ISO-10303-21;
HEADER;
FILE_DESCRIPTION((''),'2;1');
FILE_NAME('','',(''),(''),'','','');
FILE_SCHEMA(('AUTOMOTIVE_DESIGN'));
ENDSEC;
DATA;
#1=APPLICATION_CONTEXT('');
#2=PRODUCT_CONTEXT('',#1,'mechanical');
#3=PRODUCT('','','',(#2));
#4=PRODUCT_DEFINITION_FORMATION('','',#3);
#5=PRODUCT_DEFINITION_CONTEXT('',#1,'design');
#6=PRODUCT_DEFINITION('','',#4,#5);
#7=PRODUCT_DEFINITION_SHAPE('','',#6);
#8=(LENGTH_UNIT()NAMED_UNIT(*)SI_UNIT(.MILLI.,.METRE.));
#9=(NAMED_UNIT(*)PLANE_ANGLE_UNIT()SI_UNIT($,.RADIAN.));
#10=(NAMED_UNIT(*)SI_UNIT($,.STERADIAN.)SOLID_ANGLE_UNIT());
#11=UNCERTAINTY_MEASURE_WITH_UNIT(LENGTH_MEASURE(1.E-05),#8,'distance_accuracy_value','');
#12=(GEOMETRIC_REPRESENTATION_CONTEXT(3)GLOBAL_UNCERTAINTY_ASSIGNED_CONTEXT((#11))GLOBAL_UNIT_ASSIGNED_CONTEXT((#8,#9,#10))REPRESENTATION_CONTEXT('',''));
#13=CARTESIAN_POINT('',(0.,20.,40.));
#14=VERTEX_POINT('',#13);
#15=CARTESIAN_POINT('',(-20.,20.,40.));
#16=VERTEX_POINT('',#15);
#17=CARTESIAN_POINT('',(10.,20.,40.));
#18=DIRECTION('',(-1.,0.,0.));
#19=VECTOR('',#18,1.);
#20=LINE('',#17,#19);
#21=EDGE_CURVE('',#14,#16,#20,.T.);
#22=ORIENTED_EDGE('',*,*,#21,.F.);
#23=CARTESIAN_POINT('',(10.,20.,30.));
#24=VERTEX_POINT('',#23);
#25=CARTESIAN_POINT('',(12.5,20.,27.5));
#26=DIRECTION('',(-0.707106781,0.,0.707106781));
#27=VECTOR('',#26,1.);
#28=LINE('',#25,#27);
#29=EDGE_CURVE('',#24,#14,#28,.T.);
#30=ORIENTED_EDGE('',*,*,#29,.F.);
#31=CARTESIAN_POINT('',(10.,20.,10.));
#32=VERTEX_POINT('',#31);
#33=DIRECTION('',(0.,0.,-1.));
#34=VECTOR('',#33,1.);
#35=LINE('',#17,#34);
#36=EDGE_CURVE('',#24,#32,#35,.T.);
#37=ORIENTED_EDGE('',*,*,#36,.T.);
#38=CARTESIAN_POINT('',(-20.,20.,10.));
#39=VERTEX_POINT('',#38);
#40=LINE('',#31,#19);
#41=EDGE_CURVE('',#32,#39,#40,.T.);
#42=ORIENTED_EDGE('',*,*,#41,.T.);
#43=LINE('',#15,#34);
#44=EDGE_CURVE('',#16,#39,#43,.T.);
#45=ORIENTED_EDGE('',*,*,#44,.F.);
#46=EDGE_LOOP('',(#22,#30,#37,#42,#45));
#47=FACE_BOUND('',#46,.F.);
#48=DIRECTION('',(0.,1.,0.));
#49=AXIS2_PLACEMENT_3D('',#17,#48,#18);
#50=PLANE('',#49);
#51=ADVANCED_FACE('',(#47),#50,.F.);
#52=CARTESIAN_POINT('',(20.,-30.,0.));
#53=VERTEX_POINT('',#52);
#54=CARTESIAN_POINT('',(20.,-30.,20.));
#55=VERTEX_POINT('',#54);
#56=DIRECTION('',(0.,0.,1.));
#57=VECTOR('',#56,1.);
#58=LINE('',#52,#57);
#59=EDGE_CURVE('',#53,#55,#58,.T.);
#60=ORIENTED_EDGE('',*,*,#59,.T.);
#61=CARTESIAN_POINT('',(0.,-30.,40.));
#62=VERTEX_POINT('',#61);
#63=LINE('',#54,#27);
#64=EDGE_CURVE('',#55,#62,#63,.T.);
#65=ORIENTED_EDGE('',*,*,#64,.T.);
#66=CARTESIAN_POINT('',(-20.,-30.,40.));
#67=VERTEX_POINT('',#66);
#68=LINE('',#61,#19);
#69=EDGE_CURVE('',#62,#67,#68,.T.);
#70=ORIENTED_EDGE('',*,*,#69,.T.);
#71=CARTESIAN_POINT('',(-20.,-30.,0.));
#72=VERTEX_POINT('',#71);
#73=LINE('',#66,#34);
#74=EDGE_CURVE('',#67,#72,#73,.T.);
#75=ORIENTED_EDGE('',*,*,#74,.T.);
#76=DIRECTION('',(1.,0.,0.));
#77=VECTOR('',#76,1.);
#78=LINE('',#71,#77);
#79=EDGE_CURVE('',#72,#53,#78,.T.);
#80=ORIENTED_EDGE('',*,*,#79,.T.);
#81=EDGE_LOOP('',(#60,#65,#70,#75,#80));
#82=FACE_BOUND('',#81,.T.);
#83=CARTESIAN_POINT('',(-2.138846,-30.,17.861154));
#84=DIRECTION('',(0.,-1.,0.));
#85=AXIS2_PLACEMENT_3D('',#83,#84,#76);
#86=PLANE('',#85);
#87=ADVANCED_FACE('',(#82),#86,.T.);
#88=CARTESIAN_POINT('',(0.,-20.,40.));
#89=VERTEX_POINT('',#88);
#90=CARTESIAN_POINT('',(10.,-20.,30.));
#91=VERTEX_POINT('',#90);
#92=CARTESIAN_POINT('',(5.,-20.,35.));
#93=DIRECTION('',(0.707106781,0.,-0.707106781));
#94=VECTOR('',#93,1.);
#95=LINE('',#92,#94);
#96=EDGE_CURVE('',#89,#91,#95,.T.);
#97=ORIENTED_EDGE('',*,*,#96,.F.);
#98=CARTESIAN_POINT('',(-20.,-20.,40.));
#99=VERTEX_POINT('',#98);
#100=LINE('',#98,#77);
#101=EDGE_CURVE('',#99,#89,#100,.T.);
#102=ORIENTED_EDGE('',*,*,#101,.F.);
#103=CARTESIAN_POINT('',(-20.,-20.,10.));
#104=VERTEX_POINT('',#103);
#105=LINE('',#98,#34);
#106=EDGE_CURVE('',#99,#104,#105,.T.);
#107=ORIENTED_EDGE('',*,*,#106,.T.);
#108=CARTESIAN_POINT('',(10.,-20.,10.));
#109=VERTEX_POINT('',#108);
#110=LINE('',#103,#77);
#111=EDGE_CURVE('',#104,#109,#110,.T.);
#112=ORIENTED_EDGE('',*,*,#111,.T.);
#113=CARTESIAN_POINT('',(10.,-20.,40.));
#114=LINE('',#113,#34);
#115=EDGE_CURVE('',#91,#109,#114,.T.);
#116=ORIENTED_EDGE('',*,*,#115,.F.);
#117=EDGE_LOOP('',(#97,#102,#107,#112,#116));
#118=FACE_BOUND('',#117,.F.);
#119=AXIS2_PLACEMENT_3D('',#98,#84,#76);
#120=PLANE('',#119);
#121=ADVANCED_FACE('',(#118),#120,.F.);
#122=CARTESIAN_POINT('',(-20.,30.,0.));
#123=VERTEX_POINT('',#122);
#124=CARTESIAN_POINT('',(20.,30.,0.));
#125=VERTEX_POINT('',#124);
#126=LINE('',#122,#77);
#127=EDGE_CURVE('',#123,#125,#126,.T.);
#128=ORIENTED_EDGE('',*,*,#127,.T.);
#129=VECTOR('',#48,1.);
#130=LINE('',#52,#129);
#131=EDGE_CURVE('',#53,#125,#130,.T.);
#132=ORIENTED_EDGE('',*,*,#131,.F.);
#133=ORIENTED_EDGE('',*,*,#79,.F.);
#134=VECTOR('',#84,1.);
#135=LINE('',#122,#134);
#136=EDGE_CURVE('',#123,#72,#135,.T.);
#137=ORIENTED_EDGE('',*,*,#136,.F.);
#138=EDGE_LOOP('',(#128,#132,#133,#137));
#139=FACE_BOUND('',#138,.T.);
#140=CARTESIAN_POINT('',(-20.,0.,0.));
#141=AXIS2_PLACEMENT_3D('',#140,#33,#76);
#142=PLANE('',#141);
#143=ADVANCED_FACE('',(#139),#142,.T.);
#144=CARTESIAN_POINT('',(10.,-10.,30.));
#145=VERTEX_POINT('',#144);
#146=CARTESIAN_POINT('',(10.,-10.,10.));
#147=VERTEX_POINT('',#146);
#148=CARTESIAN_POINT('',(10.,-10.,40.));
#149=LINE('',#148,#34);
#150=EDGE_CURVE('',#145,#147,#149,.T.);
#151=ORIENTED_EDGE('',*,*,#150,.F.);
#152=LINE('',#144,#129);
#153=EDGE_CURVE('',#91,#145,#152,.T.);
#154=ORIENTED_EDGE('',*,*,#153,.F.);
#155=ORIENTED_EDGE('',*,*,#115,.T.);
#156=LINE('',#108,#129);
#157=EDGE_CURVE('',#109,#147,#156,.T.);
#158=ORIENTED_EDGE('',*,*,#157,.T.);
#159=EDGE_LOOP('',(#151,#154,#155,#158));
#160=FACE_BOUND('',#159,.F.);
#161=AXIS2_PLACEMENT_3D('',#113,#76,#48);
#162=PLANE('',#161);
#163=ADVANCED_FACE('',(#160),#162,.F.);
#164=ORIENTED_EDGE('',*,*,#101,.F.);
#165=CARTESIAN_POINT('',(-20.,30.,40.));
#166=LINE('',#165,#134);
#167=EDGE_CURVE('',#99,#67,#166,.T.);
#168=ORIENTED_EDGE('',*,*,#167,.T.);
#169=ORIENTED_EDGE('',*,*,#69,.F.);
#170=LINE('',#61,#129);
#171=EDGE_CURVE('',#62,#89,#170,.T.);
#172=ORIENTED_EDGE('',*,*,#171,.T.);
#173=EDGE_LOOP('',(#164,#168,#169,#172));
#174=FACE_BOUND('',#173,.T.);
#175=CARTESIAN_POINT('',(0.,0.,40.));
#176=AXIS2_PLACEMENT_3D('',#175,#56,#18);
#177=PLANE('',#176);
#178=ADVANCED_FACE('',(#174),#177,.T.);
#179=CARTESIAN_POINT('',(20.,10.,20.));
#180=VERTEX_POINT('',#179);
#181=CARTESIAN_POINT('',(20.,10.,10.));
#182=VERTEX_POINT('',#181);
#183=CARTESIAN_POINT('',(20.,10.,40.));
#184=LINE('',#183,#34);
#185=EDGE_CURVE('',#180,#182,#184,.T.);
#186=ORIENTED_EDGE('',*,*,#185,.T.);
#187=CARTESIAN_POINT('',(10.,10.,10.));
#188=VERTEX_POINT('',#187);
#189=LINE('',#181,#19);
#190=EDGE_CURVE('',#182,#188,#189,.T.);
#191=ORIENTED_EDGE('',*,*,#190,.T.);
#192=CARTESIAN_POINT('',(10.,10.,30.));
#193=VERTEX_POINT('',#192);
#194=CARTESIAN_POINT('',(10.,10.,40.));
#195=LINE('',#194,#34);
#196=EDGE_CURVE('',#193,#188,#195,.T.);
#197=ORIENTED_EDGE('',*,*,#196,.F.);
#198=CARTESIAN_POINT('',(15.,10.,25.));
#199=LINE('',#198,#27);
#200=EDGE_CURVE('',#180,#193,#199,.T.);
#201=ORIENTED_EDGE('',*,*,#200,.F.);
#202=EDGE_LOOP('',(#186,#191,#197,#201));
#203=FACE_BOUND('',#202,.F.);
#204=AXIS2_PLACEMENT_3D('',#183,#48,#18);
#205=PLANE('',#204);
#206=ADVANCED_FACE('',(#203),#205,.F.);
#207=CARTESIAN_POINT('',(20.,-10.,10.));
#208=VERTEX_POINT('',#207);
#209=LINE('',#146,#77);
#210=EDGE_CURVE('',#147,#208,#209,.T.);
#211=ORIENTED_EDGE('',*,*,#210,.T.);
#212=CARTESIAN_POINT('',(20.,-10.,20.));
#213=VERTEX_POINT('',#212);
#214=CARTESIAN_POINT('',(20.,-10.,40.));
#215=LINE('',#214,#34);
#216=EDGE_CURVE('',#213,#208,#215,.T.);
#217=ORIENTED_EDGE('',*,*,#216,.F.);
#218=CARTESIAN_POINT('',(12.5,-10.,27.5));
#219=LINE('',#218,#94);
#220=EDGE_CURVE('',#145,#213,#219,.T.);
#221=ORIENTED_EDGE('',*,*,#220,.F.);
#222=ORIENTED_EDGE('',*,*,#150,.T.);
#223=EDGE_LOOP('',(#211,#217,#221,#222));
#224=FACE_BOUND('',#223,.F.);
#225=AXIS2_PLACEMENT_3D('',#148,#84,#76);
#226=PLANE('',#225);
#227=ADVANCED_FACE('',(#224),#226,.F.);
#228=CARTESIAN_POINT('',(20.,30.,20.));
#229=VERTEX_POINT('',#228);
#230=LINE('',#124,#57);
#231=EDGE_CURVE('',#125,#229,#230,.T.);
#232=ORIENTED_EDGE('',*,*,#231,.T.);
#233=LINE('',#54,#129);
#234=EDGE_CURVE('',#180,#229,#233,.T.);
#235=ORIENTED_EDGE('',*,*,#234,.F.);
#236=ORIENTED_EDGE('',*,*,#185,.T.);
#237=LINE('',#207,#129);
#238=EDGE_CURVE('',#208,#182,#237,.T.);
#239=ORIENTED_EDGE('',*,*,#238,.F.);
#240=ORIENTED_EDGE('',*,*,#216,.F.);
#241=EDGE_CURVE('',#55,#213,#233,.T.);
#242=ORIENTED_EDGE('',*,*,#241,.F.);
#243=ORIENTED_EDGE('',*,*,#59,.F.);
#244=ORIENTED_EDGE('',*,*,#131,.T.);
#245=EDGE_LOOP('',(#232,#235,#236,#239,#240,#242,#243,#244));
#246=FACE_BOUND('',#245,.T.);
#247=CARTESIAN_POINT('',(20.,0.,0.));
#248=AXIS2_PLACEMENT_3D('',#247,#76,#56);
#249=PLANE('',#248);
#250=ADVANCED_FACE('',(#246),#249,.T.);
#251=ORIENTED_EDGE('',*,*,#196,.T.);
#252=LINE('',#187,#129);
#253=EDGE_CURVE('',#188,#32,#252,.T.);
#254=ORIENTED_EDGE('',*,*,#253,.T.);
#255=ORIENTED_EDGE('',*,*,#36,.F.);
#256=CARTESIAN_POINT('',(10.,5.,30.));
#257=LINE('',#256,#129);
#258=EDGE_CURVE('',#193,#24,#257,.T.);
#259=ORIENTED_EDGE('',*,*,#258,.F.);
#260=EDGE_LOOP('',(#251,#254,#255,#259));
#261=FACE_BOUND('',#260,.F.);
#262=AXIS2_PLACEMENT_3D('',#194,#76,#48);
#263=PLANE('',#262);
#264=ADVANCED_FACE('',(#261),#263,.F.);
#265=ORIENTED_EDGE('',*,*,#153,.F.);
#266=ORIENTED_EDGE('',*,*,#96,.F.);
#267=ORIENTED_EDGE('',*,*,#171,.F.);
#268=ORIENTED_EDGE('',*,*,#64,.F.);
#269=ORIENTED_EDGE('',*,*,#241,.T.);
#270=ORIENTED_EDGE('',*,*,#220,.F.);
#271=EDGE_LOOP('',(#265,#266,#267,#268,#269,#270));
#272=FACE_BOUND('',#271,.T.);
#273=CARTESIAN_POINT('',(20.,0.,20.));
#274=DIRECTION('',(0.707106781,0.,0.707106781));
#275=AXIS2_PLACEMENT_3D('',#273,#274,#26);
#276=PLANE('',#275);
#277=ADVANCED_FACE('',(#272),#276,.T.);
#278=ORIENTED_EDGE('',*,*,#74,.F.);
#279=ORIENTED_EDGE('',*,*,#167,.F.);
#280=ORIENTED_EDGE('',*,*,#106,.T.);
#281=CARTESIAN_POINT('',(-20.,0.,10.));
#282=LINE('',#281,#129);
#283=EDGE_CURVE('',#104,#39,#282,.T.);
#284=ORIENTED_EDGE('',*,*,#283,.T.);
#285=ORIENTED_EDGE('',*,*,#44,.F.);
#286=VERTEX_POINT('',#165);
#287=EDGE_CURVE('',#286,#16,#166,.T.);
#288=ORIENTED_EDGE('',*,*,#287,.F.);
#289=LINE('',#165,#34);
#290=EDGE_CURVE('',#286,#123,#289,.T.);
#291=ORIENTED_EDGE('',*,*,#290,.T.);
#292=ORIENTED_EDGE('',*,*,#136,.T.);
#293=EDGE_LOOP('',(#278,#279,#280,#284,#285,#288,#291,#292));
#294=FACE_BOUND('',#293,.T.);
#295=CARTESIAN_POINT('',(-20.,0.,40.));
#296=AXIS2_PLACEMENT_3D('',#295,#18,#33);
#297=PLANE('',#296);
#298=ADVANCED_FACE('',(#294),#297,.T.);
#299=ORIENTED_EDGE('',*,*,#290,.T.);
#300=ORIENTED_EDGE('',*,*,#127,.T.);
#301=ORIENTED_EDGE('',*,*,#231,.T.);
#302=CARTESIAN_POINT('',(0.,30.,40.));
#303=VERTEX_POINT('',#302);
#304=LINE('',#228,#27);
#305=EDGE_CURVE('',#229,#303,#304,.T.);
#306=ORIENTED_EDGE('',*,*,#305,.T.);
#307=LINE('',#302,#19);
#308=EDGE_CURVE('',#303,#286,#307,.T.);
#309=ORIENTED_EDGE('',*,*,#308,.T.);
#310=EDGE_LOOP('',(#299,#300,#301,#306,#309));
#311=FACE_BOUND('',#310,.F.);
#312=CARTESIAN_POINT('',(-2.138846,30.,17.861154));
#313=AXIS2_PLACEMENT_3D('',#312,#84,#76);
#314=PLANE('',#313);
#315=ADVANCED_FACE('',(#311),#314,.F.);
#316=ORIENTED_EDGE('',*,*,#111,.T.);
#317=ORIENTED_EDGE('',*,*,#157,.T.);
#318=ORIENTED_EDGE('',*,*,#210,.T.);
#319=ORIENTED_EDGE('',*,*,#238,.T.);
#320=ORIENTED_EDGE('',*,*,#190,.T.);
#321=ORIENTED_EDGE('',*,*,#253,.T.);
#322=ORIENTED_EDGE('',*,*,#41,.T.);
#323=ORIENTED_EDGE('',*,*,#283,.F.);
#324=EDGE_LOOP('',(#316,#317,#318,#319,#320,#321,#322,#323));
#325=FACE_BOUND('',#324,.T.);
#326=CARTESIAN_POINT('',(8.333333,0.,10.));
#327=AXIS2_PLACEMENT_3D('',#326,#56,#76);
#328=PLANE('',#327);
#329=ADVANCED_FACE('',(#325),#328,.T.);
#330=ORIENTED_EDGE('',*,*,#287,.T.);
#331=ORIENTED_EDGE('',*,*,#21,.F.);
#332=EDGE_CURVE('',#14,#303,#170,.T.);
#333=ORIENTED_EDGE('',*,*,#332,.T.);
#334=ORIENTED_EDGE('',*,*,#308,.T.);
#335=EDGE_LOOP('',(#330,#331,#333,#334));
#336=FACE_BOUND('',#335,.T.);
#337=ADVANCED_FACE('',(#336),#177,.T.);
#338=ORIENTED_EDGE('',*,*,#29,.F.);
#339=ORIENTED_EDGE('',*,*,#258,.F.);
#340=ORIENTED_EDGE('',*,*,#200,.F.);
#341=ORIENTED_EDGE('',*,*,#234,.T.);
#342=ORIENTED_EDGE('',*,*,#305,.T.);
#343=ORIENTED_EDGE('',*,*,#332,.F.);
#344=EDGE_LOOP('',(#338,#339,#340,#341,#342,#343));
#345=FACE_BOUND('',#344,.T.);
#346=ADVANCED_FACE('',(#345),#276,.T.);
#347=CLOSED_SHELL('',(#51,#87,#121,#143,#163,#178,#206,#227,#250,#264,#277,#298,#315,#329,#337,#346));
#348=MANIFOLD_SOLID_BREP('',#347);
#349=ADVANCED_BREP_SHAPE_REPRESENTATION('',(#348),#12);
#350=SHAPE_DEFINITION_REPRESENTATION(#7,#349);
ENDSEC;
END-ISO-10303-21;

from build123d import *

# Parameters (mm, degrees)
F1_DEPTH = 30
F2_W     = 20
F2_H     = 40
F3_DEPTH = 30


with BuildPart() as f1:
    # F0 (on Front) → F1 (new body, symmetric)
    with BuildSketch(Plane.XZ):
        Polygon((0, 40), (-20, 40), (-20, 0), (20, 0), (20, 20), align=None)
    extrude(amount=F1_DEPTH, both=True)

    # F2 (on face) → F3 (cut)
    with BuildSketch(Plane.XY.offset(40)):
        Polygon((10, 20), (0, 20), (0, -20), (10, -20), (10, -10), (20, -10), (20, 10), (10, 10), align=None)
        with Locations((-10, 0)):
            Rectangle(F2_W, F2_H)
    extrude(amount=-F3_DEPTH, mode=Mode.SUBTRACT)


solid = f1.part
